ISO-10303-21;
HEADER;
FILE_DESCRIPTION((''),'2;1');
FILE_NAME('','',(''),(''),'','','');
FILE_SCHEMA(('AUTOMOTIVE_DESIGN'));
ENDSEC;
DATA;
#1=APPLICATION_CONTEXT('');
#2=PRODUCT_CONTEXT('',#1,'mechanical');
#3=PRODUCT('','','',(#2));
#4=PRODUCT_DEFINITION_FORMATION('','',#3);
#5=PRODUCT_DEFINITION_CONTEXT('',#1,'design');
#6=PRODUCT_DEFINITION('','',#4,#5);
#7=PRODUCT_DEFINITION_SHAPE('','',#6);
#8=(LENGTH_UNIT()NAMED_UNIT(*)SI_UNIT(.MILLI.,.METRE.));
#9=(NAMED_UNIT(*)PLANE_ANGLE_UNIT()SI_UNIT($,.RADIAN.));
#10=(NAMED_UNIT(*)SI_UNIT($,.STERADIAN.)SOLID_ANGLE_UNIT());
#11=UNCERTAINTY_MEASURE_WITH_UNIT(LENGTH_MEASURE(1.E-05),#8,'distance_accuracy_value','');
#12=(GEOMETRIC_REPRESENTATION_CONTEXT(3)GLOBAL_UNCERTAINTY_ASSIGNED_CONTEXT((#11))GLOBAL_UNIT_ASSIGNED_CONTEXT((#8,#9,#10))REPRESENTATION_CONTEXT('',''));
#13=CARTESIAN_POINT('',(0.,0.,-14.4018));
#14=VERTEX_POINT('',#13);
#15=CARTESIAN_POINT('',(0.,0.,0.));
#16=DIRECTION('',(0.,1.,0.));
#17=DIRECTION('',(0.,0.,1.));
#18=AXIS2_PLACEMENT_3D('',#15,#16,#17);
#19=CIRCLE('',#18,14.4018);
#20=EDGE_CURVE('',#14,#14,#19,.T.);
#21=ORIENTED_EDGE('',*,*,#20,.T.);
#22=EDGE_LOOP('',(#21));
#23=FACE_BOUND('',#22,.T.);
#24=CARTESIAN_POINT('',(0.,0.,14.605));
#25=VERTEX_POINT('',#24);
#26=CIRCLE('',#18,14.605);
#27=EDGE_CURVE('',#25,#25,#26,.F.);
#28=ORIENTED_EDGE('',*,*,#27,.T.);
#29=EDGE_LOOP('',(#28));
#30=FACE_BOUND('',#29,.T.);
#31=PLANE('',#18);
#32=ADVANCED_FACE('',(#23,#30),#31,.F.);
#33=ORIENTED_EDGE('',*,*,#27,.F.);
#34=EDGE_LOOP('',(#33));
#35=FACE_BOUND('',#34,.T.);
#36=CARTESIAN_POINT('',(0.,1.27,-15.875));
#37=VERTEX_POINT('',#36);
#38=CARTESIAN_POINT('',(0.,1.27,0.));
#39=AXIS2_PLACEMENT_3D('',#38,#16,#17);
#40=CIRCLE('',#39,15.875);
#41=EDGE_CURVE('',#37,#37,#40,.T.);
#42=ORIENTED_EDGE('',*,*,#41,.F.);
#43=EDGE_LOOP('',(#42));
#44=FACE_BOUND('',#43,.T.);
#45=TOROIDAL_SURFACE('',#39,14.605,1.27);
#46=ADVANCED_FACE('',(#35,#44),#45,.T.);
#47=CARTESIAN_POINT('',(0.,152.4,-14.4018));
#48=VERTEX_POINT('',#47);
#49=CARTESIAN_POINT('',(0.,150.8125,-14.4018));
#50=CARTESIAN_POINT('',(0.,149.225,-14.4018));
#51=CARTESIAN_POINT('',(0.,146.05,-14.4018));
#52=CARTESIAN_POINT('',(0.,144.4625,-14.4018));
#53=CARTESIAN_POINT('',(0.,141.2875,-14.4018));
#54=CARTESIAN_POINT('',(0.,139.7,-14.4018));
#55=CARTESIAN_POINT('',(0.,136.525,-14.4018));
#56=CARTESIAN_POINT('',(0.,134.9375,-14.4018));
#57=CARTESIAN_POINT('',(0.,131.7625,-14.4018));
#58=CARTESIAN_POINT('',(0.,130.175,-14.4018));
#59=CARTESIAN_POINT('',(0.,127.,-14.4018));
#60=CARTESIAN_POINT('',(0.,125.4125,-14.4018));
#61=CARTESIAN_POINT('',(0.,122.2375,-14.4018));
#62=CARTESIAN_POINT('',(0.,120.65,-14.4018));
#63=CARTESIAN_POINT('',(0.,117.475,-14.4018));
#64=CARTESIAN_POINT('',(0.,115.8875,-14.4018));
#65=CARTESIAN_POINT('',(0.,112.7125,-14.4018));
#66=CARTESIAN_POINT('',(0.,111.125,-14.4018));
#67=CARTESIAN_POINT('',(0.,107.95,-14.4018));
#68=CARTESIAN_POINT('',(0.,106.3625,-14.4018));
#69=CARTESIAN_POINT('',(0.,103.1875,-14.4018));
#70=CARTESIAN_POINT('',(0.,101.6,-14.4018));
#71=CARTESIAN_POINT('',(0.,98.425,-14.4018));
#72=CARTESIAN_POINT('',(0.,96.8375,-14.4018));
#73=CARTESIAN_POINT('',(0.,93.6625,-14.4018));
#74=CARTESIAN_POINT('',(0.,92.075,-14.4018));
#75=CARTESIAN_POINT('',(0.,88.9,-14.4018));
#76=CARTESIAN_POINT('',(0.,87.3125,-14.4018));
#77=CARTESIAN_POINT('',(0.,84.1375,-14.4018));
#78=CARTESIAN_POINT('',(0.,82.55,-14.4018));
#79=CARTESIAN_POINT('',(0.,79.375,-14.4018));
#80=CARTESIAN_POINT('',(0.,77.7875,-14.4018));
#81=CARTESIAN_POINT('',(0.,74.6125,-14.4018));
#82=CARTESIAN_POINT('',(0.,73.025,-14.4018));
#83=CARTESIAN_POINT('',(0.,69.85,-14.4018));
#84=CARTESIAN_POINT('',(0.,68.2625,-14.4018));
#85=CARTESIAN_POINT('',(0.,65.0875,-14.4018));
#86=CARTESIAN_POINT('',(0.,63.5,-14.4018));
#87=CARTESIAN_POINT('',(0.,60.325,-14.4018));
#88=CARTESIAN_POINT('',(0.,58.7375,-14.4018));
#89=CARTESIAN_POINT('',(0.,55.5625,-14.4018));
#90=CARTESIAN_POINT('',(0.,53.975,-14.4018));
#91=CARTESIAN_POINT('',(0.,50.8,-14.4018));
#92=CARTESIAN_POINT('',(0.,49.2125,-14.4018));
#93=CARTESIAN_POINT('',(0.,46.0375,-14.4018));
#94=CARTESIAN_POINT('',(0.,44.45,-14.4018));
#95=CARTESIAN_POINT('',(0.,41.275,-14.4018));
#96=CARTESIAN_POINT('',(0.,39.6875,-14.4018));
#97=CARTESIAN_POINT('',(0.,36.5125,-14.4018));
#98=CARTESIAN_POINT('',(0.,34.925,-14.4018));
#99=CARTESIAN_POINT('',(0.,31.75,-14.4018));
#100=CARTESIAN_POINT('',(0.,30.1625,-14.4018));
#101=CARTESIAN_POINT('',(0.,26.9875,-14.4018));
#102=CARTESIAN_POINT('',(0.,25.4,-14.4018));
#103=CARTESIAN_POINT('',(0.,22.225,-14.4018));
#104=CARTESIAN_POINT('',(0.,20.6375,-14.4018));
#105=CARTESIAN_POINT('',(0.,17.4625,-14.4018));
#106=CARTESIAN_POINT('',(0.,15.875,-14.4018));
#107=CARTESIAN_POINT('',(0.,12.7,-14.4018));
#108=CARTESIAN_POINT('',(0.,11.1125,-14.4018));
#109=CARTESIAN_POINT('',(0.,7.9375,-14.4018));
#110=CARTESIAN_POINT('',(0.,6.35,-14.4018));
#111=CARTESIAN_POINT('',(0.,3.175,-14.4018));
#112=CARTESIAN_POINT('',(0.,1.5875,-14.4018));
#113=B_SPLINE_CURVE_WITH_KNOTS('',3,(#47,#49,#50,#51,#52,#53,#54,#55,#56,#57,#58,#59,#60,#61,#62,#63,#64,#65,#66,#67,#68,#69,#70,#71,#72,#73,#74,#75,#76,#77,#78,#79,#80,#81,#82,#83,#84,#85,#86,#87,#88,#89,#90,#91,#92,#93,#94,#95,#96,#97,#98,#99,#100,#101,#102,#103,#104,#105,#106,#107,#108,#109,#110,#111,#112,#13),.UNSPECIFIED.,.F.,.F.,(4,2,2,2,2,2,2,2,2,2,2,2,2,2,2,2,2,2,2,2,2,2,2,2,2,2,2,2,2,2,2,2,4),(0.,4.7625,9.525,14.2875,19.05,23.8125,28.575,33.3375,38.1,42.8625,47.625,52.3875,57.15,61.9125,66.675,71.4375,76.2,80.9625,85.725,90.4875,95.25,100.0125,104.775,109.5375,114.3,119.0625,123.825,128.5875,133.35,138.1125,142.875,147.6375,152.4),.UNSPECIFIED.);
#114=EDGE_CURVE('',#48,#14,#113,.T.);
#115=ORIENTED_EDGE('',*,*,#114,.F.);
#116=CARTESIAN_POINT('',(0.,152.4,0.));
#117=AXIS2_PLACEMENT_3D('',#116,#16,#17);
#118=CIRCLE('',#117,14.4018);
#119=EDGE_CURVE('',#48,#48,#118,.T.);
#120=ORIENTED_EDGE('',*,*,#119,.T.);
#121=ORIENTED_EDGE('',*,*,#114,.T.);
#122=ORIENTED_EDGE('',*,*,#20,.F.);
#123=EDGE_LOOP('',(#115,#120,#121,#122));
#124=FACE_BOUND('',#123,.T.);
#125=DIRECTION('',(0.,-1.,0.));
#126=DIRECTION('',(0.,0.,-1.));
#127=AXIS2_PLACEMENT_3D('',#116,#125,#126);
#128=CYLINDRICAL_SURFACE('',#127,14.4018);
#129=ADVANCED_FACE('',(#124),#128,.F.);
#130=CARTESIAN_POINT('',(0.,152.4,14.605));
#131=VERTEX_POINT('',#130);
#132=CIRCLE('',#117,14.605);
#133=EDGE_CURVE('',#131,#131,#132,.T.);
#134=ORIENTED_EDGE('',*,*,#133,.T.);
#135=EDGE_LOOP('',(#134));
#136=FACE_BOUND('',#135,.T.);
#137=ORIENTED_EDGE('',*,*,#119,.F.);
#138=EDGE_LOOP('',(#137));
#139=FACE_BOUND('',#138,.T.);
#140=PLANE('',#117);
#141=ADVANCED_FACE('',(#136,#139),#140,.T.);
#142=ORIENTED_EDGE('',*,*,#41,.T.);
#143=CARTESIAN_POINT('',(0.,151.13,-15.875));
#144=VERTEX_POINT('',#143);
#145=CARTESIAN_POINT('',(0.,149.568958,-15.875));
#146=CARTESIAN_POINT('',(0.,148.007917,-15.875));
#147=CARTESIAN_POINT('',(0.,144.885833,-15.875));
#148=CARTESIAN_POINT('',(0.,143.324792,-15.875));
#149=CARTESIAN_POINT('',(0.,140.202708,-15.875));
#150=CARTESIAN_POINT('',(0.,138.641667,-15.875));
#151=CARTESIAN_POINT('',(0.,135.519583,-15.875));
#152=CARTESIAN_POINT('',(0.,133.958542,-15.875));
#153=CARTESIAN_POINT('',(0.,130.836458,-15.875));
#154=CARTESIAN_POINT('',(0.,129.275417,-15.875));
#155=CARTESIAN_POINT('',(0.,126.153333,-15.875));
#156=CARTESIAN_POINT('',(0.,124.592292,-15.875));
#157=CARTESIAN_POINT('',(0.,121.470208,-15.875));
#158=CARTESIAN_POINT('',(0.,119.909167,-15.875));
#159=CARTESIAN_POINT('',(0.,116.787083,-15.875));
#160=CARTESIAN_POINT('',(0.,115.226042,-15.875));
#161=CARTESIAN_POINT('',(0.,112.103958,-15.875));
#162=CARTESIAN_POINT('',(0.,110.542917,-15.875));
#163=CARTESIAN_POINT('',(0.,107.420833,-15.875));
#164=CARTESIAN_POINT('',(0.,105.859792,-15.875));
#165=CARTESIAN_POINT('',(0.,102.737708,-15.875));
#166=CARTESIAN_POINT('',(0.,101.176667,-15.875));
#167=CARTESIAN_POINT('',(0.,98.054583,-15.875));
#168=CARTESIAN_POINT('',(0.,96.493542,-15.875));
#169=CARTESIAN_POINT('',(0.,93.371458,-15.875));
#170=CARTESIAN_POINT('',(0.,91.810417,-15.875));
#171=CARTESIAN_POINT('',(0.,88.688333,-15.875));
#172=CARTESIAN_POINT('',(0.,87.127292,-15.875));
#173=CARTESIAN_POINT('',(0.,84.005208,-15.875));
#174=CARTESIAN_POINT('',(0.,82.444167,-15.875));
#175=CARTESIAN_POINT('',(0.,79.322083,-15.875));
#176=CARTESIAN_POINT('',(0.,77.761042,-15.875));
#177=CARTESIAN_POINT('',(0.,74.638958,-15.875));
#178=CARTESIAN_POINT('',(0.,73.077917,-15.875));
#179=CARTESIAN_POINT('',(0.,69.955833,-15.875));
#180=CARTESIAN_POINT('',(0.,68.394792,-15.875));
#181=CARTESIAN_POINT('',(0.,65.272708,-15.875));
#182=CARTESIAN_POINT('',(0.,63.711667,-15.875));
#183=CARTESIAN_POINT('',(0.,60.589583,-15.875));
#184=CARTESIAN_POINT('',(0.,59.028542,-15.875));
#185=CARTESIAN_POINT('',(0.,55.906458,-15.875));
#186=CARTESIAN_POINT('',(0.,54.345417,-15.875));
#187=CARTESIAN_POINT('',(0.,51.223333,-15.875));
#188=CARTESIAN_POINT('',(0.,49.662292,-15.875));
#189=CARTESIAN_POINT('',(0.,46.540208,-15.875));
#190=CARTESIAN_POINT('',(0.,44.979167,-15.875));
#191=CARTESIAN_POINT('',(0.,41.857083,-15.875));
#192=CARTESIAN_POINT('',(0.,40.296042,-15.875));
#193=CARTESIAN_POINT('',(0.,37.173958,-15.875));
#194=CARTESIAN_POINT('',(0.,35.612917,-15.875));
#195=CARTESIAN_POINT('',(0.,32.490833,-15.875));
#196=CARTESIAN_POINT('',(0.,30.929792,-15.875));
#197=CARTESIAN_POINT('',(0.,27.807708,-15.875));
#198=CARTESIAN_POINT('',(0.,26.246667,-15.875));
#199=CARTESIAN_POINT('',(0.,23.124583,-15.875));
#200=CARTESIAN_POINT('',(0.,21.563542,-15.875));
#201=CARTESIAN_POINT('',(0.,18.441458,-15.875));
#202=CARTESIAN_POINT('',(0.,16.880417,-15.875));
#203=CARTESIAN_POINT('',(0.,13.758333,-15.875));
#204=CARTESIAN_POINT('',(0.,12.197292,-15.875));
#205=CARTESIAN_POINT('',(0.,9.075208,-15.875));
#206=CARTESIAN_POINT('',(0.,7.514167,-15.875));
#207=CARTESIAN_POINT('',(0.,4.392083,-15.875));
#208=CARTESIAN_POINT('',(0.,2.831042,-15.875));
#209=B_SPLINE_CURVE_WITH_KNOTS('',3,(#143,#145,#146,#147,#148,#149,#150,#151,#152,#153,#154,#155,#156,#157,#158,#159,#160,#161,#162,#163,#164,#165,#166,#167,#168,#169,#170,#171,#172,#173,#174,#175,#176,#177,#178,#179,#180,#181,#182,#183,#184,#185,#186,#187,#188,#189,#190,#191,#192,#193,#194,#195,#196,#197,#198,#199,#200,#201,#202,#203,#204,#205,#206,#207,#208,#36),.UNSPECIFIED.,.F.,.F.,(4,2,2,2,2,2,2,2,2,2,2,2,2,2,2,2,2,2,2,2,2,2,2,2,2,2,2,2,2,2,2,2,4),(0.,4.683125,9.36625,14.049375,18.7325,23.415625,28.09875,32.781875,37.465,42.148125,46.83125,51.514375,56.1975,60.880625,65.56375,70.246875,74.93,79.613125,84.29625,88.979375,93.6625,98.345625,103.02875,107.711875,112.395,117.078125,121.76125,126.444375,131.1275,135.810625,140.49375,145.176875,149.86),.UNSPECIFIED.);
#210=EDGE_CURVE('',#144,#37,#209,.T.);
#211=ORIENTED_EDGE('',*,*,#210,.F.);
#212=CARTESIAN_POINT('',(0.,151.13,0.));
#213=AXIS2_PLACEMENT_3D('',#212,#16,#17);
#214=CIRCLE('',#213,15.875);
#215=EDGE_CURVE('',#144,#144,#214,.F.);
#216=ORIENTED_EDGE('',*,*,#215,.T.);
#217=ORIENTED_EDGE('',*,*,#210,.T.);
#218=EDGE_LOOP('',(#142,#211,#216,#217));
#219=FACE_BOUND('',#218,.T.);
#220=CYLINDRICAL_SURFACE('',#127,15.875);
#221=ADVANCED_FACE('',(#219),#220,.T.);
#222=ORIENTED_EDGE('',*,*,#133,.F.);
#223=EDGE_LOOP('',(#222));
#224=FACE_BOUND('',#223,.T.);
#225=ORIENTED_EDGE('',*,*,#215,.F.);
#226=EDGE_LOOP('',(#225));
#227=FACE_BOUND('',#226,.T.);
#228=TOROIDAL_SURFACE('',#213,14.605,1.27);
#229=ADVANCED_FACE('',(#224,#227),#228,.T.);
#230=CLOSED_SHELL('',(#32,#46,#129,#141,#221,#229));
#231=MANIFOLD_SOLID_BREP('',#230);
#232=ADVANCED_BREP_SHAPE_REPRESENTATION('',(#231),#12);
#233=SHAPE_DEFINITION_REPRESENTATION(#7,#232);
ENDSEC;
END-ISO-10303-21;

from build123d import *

# Parameters (mm, degrees)
SKETCH1_R           = 15.875
SKETCH1_R_2         = 14.4018
BOSS_EXTRUDE1_DEPTH = 152.4
FILLET1_R           = 1.27


with BuildPart() as part:
    # Sketch1 → Boss-Extrude1 (new body)
    with BuildSketch(Plane(origin=(0, 0, 0), x_dir=(1, 0, 0), z_dir=(0, 1, 0))):
        with Locations(Location((0, 0, 0), (0, 0, 90))):
            Circle(SKETCH1_R)
        with Locations(Location((0, 0, 0), (0, 0, 90))):
            Circle(SKETCH1_R_2, mode=Mode.SUBTRACT)
    extrude(amount=BOSS_EXTRUDE1_DEPTH)

    # Fillet1
    fillet1_edges = [part.edges().sort_by_distance(p)[0] for p in [
        (0, 0, 15.875),
        (0, 152.4, 15.875),
    ]]
    fillet(fillet1_edges, radius=FILLET1_R)


solid = part.part
